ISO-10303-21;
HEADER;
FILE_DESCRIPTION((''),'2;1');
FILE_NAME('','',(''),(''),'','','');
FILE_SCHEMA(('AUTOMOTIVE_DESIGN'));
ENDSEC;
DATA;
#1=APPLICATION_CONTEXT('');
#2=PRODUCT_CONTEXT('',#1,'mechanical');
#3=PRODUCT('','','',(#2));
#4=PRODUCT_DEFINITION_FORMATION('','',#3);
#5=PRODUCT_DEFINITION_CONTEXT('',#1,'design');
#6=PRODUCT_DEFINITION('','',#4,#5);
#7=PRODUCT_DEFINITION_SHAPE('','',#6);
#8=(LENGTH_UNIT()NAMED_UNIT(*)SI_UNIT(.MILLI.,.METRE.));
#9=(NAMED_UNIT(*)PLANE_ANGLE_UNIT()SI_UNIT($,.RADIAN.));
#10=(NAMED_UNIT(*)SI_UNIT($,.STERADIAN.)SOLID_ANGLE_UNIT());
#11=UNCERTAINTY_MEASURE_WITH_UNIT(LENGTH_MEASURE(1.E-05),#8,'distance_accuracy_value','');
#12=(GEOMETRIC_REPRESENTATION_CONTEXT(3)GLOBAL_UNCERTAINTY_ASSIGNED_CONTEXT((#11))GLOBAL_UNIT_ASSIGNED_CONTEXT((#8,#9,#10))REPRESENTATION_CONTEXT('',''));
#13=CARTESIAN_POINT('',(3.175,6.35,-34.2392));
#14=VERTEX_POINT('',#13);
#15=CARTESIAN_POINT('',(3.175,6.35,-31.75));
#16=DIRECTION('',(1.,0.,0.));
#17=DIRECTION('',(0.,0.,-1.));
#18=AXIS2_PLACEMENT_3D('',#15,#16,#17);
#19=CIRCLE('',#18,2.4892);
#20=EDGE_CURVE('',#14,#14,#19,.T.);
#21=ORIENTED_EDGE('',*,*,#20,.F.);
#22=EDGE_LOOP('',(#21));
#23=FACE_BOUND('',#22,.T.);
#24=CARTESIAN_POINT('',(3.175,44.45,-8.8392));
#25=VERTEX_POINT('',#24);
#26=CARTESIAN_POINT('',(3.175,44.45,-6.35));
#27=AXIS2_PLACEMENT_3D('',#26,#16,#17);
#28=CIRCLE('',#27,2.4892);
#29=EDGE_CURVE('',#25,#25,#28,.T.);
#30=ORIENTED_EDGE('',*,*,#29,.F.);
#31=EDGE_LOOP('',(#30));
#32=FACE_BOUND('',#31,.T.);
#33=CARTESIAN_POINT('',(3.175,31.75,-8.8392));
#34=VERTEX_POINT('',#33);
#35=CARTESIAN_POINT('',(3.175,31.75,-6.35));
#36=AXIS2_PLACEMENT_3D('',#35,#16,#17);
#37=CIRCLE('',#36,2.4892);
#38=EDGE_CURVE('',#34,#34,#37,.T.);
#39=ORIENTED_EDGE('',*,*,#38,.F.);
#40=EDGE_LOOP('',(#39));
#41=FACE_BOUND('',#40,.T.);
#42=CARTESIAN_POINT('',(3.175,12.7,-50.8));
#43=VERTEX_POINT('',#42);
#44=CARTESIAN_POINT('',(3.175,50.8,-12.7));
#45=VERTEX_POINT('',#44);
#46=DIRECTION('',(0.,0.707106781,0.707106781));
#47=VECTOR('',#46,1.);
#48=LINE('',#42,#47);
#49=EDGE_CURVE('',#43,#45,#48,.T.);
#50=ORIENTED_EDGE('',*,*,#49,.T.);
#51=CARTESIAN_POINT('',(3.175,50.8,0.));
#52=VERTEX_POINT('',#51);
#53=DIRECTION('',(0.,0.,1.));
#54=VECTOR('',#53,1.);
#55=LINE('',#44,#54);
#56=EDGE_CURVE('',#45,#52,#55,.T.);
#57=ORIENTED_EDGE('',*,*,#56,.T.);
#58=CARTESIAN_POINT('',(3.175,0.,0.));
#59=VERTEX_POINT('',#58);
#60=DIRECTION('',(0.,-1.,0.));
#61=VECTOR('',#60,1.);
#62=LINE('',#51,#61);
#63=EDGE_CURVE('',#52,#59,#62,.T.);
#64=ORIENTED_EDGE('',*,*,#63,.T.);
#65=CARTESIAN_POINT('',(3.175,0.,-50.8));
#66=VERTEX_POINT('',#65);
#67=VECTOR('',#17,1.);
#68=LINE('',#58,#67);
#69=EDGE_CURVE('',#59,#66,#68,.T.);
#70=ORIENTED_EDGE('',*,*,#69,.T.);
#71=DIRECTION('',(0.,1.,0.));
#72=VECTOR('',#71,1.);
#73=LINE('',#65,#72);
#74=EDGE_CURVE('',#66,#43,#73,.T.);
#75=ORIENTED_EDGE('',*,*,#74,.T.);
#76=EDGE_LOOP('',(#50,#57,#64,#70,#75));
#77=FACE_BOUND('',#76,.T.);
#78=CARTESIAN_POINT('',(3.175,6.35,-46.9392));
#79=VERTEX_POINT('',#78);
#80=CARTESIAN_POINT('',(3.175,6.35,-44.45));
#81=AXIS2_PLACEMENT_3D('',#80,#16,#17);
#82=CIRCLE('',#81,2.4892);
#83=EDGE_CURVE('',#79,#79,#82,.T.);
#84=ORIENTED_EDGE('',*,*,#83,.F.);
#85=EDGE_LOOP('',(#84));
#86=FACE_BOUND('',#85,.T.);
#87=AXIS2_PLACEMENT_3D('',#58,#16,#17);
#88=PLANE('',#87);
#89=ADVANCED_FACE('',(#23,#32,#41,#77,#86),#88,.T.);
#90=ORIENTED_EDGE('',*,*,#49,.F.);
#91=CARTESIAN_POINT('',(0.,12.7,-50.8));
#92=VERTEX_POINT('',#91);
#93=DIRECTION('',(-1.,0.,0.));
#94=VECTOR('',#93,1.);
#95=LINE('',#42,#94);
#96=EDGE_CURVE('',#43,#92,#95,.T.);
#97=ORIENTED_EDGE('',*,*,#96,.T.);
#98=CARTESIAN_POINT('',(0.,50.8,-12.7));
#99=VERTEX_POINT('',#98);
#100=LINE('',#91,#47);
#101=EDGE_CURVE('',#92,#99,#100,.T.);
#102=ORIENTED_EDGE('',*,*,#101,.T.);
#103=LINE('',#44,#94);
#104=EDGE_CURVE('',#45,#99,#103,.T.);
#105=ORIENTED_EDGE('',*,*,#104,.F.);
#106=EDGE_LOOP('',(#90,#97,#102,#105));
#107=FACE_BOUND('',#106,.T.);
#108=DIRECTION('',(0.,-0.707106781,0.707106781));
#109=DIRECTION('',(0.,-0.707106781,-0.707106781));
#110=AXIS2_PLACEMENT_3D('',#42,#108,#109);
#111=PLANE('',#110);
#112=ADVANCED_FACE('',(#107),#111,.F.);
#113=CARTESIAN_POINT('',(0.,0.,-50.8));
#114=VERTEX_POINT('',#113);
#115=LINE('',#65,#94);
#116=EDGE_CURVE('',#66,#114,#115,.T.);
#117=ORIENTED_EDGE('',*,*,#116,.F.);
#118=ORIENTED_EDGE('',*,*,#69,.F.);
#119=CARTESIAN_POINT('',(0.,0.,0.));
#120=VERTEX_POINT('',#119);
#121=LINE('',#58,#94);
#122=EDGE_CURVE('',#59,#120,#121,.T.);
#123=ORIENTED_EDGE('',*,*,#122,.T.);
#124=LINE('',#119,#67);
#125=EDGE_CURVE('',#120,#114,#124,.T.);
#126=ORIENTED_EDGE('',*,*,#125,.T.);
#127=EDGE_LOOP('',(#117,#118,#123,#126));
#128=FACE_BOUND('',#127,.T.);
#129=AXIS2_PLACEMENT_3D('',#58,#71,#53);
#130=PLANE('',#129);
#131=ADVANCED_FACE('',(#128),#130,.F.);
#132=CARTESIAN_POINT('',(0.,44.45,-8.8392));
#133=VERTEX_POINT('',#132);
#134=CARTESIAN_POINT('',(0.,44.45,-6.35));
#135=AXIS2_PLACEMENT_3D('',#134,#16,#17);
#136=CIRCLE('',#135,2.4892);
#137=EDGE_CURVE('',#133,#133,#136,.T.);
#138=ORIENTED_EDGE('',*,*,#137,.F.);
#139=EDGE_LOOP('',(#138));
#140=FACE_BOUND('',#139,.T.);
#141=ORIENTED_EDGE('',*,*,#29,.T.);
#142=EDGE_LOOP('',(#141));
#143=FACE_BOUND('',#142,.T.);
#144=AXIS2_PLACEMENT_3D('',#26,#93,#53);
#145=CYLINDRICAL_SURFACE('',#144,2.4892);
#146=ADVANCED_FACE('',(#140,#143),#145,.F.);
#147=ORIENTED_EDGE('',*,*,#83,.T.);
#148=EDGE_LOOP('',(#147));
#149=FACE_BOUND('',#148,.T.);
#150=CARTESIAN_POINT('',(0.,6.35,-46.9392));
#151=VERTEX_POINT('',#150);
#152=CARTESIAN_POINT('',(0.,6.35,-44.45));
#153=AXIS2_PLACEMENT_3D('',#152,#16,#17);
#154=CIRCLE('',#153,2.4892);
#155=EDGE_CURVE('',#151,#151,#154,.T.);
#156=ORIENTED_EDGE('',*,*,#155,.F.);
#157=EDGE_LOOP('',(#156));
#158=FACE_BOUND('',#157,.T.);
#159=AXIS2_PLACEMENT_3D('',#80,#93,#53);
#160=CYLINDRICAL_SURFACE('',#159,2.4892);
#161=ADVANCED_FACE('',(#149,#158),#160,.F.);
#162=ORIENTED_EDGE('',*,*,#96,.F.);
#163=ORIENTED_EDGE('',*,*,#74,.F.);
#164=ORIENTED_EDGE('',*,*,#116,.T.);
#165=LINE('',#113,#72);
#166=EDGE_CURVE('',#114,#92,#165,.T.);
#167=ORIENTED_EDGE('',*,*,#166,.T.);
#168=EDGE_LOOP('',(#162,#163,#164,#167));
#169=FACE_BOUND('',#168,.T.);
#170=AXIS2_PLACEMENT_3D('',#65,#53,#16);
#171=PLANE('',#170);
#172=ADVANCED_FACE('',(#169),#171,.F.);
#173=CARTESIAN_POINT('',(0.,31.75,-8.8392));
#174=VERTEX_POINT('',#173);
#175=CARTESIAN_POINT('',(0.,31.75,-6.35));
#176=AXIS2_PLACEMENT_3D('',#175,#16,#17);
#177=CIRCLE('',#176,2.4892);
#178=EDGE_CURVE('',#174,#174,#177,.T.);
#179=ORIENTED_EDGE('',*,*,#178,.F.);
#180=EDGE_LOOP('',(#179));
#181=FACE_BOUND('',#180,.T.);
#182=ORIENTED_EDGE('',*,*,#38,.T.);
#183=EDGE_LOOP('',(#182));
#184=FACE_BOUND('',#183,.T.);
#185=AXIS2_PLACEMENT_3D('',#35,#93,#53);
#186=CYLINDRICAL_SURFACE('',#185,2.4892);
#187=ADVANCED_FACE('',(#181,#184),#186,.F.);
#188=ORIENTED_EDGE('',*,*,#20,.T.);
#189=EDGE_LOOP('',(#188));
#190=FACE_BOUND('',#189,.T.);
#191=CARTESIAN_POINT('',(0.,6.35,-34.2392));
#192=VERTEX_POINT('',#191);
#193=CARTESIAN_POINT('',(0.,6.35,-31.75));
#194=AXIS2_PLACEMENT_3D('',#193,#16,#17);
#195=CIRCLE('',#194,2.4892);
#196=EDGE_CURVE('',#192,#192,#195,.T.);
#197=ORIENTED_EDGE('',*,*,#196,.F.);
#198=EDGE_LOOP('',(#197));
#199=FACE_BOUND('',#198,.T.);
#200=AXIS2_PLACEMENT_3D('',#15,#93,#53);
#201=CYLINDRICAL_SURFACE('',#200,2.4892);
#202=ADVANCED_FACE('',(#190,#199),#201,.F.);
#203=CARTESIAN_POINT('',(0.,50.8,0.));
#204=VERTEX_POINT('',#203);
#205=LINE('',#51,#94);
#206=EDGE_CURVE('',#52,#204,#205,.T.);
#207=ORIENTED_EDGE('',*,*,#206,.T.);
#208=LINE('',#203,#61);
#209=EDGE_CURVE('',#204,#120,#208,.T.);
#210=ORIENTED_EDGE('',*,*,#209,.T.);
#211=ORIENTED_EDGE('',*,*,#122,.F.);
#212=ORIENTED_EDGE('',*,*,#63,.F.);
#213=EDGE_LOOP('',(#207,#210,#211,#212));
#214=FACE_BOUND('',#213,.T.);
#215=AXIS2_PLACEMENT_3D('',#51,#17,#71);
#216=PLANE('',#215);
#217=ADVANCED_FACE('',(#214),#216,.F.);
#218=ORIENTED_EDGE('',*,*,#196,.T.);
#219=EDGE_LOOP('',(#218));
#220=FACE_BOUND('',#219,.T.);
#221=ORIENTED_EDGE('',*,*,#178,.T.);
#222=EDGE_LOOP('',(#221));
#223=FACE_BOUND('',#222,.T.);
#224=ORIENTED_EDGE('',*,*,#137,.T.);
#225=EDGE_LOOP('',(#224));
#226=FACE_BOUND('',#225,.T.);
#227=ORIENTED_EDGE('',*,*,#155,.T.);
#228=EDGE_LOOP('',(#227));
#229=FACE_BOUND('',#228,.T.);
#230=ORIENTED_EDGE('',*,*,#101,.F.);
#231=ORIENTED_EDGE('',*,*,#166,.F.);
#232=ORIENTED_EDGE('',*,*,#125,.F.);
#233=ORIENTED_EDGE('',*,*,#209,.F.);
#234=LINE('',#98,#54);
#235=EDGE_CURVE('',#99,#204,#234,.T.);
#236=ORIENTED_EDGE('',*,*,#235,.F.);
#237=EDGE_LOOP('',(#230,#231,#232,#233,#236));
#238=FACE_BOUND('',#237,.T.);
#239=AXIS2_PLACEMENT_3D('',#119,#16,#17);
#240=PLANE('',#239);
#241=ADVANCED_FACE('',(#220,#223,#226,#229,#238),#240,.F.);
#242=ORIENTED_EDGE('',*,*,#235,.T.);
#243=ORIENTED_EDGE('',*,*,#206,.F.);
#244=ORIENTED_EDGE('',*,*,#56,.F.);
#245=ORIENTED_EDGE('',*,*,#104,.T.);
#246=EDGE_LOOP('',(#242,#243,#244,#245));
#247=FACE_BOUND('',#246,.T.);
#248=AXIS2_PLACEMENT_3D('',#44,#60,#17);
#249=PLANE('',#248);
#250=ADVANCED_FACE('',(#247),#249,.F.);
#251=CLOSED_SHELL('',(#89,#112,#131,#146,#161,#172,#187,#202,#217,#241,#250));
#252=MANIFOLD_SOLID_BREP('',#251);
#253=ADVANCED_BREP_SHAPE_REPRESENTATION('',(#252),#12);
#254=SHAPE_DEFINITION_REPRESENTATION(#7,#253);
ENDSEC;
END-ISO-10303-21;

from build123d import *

# Parameters (mm, degrees)
SKETCH3_R           = 2.4892
BOSS_EXTRUDE1_DEPTH = 3.175


with BuildPart() as part:
    # Sketch3 → Boss-Extrude1 (new body)
    with BuildSketch(Plane(origin=(0, 0, 0), x_dir=(0, 0, -1), z_dir=(1, 0, 0))):
        Polygon((0, 0), (50.8, 0), (50.8, 12.7), (12.7, 50.8), (0, 50.8), align=None)
        with Locations((6.35, 44.45)):
            Circle(SKETCH3_R, mode=Mode.SUBTRACT)
        with Locations((6.35, 31.75)):
            Circle(SKETCH3_R, mode=Mode.SUBTRACT)
        with Locations((31.75, 6.35)):
            Circle(SKETCH3_R, mode=Mode.SUBTRACT)
        with Locations((44.45, 6.35)):
            Circle(SKETCH3_R, mode=Mode.SUBTRACT)
    extrude(amount=BOSS_EXTRUDE1_DEPTH)


solid = part.part
